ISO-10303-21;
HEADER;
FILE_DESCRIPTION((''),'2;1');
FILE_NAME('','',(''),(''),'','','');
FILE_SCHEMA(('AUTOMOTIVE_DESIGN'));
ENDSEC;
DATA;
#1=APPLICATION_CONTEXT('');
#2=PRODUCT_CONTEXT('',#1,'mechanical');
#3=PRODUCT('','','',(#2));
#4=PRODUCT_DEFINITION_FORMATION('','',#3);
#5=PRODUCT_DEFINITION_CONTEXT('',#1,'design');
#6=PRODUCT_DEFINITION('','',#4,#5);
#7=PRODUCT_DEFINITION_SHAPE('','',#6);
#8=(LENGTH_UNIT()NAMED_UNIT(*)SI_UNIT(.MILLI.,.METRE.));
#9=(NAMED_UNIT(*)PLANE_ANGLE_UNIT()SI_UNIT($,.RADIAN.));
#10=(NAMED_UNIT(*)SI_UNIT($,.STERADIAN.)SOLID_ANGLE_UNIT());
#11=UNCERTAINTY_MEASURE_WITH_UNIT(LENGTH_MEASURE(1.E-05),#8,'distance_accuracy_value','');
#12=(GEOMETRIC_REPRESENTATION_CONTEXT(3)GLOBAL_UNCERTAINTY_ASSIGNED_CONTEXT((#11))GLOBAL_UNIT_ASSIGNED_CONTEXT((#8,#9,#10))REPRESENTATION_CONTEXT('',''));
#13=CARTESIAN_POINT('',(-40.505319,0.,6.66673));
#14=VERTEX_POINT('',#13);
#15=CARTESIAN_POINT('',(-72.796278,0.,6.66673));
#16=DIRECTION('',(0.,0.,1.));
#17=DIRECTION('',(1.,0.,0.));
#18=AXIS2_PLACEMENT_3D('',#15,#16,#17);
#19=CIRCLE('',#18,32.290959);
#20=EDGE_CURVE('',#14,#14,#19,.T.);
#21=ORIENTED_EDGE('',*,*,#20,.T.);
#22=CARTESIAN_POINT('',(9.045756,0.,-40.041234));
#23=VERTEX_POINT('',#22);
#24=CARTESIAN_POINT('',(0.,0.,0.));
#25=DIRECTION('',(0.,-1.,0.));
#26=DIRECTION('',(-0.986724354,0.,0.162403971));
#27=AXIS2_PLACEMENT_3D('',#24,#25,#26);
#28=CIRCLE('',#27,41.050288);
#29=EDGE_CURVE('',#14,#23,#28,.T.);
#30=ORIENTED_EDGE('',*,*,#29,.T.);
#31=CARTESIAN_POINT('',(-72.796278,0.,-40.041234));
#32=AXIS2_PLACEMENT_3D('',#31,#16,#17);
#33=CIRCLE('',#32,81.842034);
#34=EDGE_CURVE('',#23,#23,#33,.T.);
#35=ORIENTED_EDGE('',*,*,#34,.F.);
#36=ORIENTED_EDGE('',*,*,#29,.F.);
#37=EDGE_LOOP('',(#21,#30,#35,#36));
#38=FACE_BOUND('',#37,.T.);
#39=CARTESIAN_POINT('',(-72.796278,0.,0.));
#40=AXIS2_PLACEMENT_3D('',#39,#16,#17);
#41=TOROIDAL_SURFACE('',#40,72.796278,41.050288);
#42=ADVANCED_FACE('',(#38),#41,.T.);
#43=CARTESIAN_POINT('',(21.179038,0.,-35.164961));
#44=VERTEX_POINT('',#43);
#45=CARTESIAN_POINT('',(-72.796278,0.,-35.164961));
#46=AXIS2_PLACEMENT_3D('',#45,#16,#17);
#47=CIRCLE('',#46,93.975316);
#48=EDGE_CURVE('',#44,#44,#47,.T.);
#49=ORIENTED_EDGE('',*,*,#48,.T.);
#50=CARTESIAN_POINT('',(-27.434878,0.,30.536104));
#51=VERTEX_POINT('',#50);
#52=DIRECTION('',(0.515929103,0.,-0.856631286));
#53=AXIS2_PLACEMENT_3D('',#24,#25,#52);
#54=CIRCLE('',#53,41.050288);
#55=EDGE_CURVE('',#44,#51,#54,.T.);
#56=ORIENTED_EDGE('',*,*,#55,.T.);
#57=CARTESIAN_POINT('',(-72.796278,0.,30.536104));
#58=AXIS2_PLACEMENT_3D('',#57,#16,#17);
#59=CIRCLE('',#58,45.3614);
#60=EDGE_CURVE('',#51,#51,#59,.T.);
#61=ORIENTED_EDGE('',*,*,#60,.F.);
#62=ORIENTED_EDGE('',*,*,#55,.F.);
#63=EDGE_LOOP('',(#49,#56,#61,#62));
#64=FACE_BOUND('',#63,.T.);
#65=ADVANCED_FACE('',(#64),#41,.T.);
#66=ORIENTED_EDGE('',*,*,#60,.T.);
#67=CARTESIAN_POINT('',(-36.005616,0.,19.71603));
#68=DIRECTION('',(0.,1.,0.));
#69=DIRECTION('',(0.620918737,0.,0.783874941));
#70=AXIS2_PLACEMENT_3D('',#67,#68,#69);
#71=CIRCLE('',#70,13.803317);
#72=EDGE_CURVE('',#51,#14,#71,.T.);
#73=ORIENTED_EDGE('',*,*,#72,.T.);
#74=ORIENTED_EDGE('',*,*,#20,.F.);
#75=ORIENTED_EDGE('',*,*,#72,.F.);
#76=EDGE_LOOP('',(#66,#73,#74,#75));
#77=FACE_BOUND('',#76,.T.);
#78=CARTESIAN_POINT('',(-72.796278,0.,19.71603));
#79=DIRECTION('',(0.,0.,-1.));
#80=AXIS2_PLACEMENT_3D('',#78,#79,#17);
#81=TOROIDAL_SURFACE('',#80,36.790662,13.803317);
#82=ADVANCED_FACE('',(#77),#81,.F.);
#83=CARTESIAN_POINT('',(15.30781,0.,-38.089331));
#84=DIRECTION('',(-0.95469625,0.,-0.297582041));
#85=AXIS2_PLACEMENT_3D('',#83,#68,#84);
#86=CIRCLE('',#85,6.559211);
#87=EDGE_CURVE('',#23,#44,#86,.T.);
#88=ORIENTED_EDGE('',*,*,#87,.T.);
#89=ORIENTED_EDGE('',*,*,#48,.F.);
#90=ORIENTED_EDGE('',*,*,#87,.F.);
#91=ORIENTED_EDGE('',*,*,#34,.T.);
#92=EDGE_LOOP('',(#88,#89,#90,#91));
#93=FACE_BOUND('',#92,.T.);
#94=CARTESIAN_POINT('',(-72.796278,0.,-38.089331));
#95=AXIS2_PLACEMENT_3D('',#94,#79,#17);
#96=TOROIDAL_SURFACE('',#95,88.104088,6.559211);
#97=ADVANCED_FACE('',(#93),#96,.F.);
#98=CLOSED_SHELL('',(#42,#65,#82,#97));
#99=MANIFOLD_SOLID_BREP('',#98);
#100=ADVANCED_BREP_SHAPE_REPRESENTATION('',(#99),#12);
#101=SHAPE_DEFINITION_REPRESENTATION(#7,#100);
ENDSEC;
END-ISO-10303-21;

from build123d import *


with BuildPart() as f1:
    # F0 (on Front) → F1 (revolve)
    with BuildSketch(Plane.XZ):
        with BuildLine():
            ThreePointArc((-27.434878, 30.536104), (-23.89859, 13.086439), (-40.505319, 6.66673))
            ThreePointArc((-40.505319, 6.66673), (-28.157317, -29.871251), (9.045756, -40.041234))
            ThreePointArc((9.045756, -40.041234), (12.861856, -32.003235), (21.179038, -35.164961))
            ThreePointArc((21.179038, -35.164961), (32.999111, 24.416896), (-27.434878, 30.536104))
        make_face()
    revolve(axis=Axis((-72.796278, 0, 26.096396), (0, 0, 1)))


solid = f1.part
